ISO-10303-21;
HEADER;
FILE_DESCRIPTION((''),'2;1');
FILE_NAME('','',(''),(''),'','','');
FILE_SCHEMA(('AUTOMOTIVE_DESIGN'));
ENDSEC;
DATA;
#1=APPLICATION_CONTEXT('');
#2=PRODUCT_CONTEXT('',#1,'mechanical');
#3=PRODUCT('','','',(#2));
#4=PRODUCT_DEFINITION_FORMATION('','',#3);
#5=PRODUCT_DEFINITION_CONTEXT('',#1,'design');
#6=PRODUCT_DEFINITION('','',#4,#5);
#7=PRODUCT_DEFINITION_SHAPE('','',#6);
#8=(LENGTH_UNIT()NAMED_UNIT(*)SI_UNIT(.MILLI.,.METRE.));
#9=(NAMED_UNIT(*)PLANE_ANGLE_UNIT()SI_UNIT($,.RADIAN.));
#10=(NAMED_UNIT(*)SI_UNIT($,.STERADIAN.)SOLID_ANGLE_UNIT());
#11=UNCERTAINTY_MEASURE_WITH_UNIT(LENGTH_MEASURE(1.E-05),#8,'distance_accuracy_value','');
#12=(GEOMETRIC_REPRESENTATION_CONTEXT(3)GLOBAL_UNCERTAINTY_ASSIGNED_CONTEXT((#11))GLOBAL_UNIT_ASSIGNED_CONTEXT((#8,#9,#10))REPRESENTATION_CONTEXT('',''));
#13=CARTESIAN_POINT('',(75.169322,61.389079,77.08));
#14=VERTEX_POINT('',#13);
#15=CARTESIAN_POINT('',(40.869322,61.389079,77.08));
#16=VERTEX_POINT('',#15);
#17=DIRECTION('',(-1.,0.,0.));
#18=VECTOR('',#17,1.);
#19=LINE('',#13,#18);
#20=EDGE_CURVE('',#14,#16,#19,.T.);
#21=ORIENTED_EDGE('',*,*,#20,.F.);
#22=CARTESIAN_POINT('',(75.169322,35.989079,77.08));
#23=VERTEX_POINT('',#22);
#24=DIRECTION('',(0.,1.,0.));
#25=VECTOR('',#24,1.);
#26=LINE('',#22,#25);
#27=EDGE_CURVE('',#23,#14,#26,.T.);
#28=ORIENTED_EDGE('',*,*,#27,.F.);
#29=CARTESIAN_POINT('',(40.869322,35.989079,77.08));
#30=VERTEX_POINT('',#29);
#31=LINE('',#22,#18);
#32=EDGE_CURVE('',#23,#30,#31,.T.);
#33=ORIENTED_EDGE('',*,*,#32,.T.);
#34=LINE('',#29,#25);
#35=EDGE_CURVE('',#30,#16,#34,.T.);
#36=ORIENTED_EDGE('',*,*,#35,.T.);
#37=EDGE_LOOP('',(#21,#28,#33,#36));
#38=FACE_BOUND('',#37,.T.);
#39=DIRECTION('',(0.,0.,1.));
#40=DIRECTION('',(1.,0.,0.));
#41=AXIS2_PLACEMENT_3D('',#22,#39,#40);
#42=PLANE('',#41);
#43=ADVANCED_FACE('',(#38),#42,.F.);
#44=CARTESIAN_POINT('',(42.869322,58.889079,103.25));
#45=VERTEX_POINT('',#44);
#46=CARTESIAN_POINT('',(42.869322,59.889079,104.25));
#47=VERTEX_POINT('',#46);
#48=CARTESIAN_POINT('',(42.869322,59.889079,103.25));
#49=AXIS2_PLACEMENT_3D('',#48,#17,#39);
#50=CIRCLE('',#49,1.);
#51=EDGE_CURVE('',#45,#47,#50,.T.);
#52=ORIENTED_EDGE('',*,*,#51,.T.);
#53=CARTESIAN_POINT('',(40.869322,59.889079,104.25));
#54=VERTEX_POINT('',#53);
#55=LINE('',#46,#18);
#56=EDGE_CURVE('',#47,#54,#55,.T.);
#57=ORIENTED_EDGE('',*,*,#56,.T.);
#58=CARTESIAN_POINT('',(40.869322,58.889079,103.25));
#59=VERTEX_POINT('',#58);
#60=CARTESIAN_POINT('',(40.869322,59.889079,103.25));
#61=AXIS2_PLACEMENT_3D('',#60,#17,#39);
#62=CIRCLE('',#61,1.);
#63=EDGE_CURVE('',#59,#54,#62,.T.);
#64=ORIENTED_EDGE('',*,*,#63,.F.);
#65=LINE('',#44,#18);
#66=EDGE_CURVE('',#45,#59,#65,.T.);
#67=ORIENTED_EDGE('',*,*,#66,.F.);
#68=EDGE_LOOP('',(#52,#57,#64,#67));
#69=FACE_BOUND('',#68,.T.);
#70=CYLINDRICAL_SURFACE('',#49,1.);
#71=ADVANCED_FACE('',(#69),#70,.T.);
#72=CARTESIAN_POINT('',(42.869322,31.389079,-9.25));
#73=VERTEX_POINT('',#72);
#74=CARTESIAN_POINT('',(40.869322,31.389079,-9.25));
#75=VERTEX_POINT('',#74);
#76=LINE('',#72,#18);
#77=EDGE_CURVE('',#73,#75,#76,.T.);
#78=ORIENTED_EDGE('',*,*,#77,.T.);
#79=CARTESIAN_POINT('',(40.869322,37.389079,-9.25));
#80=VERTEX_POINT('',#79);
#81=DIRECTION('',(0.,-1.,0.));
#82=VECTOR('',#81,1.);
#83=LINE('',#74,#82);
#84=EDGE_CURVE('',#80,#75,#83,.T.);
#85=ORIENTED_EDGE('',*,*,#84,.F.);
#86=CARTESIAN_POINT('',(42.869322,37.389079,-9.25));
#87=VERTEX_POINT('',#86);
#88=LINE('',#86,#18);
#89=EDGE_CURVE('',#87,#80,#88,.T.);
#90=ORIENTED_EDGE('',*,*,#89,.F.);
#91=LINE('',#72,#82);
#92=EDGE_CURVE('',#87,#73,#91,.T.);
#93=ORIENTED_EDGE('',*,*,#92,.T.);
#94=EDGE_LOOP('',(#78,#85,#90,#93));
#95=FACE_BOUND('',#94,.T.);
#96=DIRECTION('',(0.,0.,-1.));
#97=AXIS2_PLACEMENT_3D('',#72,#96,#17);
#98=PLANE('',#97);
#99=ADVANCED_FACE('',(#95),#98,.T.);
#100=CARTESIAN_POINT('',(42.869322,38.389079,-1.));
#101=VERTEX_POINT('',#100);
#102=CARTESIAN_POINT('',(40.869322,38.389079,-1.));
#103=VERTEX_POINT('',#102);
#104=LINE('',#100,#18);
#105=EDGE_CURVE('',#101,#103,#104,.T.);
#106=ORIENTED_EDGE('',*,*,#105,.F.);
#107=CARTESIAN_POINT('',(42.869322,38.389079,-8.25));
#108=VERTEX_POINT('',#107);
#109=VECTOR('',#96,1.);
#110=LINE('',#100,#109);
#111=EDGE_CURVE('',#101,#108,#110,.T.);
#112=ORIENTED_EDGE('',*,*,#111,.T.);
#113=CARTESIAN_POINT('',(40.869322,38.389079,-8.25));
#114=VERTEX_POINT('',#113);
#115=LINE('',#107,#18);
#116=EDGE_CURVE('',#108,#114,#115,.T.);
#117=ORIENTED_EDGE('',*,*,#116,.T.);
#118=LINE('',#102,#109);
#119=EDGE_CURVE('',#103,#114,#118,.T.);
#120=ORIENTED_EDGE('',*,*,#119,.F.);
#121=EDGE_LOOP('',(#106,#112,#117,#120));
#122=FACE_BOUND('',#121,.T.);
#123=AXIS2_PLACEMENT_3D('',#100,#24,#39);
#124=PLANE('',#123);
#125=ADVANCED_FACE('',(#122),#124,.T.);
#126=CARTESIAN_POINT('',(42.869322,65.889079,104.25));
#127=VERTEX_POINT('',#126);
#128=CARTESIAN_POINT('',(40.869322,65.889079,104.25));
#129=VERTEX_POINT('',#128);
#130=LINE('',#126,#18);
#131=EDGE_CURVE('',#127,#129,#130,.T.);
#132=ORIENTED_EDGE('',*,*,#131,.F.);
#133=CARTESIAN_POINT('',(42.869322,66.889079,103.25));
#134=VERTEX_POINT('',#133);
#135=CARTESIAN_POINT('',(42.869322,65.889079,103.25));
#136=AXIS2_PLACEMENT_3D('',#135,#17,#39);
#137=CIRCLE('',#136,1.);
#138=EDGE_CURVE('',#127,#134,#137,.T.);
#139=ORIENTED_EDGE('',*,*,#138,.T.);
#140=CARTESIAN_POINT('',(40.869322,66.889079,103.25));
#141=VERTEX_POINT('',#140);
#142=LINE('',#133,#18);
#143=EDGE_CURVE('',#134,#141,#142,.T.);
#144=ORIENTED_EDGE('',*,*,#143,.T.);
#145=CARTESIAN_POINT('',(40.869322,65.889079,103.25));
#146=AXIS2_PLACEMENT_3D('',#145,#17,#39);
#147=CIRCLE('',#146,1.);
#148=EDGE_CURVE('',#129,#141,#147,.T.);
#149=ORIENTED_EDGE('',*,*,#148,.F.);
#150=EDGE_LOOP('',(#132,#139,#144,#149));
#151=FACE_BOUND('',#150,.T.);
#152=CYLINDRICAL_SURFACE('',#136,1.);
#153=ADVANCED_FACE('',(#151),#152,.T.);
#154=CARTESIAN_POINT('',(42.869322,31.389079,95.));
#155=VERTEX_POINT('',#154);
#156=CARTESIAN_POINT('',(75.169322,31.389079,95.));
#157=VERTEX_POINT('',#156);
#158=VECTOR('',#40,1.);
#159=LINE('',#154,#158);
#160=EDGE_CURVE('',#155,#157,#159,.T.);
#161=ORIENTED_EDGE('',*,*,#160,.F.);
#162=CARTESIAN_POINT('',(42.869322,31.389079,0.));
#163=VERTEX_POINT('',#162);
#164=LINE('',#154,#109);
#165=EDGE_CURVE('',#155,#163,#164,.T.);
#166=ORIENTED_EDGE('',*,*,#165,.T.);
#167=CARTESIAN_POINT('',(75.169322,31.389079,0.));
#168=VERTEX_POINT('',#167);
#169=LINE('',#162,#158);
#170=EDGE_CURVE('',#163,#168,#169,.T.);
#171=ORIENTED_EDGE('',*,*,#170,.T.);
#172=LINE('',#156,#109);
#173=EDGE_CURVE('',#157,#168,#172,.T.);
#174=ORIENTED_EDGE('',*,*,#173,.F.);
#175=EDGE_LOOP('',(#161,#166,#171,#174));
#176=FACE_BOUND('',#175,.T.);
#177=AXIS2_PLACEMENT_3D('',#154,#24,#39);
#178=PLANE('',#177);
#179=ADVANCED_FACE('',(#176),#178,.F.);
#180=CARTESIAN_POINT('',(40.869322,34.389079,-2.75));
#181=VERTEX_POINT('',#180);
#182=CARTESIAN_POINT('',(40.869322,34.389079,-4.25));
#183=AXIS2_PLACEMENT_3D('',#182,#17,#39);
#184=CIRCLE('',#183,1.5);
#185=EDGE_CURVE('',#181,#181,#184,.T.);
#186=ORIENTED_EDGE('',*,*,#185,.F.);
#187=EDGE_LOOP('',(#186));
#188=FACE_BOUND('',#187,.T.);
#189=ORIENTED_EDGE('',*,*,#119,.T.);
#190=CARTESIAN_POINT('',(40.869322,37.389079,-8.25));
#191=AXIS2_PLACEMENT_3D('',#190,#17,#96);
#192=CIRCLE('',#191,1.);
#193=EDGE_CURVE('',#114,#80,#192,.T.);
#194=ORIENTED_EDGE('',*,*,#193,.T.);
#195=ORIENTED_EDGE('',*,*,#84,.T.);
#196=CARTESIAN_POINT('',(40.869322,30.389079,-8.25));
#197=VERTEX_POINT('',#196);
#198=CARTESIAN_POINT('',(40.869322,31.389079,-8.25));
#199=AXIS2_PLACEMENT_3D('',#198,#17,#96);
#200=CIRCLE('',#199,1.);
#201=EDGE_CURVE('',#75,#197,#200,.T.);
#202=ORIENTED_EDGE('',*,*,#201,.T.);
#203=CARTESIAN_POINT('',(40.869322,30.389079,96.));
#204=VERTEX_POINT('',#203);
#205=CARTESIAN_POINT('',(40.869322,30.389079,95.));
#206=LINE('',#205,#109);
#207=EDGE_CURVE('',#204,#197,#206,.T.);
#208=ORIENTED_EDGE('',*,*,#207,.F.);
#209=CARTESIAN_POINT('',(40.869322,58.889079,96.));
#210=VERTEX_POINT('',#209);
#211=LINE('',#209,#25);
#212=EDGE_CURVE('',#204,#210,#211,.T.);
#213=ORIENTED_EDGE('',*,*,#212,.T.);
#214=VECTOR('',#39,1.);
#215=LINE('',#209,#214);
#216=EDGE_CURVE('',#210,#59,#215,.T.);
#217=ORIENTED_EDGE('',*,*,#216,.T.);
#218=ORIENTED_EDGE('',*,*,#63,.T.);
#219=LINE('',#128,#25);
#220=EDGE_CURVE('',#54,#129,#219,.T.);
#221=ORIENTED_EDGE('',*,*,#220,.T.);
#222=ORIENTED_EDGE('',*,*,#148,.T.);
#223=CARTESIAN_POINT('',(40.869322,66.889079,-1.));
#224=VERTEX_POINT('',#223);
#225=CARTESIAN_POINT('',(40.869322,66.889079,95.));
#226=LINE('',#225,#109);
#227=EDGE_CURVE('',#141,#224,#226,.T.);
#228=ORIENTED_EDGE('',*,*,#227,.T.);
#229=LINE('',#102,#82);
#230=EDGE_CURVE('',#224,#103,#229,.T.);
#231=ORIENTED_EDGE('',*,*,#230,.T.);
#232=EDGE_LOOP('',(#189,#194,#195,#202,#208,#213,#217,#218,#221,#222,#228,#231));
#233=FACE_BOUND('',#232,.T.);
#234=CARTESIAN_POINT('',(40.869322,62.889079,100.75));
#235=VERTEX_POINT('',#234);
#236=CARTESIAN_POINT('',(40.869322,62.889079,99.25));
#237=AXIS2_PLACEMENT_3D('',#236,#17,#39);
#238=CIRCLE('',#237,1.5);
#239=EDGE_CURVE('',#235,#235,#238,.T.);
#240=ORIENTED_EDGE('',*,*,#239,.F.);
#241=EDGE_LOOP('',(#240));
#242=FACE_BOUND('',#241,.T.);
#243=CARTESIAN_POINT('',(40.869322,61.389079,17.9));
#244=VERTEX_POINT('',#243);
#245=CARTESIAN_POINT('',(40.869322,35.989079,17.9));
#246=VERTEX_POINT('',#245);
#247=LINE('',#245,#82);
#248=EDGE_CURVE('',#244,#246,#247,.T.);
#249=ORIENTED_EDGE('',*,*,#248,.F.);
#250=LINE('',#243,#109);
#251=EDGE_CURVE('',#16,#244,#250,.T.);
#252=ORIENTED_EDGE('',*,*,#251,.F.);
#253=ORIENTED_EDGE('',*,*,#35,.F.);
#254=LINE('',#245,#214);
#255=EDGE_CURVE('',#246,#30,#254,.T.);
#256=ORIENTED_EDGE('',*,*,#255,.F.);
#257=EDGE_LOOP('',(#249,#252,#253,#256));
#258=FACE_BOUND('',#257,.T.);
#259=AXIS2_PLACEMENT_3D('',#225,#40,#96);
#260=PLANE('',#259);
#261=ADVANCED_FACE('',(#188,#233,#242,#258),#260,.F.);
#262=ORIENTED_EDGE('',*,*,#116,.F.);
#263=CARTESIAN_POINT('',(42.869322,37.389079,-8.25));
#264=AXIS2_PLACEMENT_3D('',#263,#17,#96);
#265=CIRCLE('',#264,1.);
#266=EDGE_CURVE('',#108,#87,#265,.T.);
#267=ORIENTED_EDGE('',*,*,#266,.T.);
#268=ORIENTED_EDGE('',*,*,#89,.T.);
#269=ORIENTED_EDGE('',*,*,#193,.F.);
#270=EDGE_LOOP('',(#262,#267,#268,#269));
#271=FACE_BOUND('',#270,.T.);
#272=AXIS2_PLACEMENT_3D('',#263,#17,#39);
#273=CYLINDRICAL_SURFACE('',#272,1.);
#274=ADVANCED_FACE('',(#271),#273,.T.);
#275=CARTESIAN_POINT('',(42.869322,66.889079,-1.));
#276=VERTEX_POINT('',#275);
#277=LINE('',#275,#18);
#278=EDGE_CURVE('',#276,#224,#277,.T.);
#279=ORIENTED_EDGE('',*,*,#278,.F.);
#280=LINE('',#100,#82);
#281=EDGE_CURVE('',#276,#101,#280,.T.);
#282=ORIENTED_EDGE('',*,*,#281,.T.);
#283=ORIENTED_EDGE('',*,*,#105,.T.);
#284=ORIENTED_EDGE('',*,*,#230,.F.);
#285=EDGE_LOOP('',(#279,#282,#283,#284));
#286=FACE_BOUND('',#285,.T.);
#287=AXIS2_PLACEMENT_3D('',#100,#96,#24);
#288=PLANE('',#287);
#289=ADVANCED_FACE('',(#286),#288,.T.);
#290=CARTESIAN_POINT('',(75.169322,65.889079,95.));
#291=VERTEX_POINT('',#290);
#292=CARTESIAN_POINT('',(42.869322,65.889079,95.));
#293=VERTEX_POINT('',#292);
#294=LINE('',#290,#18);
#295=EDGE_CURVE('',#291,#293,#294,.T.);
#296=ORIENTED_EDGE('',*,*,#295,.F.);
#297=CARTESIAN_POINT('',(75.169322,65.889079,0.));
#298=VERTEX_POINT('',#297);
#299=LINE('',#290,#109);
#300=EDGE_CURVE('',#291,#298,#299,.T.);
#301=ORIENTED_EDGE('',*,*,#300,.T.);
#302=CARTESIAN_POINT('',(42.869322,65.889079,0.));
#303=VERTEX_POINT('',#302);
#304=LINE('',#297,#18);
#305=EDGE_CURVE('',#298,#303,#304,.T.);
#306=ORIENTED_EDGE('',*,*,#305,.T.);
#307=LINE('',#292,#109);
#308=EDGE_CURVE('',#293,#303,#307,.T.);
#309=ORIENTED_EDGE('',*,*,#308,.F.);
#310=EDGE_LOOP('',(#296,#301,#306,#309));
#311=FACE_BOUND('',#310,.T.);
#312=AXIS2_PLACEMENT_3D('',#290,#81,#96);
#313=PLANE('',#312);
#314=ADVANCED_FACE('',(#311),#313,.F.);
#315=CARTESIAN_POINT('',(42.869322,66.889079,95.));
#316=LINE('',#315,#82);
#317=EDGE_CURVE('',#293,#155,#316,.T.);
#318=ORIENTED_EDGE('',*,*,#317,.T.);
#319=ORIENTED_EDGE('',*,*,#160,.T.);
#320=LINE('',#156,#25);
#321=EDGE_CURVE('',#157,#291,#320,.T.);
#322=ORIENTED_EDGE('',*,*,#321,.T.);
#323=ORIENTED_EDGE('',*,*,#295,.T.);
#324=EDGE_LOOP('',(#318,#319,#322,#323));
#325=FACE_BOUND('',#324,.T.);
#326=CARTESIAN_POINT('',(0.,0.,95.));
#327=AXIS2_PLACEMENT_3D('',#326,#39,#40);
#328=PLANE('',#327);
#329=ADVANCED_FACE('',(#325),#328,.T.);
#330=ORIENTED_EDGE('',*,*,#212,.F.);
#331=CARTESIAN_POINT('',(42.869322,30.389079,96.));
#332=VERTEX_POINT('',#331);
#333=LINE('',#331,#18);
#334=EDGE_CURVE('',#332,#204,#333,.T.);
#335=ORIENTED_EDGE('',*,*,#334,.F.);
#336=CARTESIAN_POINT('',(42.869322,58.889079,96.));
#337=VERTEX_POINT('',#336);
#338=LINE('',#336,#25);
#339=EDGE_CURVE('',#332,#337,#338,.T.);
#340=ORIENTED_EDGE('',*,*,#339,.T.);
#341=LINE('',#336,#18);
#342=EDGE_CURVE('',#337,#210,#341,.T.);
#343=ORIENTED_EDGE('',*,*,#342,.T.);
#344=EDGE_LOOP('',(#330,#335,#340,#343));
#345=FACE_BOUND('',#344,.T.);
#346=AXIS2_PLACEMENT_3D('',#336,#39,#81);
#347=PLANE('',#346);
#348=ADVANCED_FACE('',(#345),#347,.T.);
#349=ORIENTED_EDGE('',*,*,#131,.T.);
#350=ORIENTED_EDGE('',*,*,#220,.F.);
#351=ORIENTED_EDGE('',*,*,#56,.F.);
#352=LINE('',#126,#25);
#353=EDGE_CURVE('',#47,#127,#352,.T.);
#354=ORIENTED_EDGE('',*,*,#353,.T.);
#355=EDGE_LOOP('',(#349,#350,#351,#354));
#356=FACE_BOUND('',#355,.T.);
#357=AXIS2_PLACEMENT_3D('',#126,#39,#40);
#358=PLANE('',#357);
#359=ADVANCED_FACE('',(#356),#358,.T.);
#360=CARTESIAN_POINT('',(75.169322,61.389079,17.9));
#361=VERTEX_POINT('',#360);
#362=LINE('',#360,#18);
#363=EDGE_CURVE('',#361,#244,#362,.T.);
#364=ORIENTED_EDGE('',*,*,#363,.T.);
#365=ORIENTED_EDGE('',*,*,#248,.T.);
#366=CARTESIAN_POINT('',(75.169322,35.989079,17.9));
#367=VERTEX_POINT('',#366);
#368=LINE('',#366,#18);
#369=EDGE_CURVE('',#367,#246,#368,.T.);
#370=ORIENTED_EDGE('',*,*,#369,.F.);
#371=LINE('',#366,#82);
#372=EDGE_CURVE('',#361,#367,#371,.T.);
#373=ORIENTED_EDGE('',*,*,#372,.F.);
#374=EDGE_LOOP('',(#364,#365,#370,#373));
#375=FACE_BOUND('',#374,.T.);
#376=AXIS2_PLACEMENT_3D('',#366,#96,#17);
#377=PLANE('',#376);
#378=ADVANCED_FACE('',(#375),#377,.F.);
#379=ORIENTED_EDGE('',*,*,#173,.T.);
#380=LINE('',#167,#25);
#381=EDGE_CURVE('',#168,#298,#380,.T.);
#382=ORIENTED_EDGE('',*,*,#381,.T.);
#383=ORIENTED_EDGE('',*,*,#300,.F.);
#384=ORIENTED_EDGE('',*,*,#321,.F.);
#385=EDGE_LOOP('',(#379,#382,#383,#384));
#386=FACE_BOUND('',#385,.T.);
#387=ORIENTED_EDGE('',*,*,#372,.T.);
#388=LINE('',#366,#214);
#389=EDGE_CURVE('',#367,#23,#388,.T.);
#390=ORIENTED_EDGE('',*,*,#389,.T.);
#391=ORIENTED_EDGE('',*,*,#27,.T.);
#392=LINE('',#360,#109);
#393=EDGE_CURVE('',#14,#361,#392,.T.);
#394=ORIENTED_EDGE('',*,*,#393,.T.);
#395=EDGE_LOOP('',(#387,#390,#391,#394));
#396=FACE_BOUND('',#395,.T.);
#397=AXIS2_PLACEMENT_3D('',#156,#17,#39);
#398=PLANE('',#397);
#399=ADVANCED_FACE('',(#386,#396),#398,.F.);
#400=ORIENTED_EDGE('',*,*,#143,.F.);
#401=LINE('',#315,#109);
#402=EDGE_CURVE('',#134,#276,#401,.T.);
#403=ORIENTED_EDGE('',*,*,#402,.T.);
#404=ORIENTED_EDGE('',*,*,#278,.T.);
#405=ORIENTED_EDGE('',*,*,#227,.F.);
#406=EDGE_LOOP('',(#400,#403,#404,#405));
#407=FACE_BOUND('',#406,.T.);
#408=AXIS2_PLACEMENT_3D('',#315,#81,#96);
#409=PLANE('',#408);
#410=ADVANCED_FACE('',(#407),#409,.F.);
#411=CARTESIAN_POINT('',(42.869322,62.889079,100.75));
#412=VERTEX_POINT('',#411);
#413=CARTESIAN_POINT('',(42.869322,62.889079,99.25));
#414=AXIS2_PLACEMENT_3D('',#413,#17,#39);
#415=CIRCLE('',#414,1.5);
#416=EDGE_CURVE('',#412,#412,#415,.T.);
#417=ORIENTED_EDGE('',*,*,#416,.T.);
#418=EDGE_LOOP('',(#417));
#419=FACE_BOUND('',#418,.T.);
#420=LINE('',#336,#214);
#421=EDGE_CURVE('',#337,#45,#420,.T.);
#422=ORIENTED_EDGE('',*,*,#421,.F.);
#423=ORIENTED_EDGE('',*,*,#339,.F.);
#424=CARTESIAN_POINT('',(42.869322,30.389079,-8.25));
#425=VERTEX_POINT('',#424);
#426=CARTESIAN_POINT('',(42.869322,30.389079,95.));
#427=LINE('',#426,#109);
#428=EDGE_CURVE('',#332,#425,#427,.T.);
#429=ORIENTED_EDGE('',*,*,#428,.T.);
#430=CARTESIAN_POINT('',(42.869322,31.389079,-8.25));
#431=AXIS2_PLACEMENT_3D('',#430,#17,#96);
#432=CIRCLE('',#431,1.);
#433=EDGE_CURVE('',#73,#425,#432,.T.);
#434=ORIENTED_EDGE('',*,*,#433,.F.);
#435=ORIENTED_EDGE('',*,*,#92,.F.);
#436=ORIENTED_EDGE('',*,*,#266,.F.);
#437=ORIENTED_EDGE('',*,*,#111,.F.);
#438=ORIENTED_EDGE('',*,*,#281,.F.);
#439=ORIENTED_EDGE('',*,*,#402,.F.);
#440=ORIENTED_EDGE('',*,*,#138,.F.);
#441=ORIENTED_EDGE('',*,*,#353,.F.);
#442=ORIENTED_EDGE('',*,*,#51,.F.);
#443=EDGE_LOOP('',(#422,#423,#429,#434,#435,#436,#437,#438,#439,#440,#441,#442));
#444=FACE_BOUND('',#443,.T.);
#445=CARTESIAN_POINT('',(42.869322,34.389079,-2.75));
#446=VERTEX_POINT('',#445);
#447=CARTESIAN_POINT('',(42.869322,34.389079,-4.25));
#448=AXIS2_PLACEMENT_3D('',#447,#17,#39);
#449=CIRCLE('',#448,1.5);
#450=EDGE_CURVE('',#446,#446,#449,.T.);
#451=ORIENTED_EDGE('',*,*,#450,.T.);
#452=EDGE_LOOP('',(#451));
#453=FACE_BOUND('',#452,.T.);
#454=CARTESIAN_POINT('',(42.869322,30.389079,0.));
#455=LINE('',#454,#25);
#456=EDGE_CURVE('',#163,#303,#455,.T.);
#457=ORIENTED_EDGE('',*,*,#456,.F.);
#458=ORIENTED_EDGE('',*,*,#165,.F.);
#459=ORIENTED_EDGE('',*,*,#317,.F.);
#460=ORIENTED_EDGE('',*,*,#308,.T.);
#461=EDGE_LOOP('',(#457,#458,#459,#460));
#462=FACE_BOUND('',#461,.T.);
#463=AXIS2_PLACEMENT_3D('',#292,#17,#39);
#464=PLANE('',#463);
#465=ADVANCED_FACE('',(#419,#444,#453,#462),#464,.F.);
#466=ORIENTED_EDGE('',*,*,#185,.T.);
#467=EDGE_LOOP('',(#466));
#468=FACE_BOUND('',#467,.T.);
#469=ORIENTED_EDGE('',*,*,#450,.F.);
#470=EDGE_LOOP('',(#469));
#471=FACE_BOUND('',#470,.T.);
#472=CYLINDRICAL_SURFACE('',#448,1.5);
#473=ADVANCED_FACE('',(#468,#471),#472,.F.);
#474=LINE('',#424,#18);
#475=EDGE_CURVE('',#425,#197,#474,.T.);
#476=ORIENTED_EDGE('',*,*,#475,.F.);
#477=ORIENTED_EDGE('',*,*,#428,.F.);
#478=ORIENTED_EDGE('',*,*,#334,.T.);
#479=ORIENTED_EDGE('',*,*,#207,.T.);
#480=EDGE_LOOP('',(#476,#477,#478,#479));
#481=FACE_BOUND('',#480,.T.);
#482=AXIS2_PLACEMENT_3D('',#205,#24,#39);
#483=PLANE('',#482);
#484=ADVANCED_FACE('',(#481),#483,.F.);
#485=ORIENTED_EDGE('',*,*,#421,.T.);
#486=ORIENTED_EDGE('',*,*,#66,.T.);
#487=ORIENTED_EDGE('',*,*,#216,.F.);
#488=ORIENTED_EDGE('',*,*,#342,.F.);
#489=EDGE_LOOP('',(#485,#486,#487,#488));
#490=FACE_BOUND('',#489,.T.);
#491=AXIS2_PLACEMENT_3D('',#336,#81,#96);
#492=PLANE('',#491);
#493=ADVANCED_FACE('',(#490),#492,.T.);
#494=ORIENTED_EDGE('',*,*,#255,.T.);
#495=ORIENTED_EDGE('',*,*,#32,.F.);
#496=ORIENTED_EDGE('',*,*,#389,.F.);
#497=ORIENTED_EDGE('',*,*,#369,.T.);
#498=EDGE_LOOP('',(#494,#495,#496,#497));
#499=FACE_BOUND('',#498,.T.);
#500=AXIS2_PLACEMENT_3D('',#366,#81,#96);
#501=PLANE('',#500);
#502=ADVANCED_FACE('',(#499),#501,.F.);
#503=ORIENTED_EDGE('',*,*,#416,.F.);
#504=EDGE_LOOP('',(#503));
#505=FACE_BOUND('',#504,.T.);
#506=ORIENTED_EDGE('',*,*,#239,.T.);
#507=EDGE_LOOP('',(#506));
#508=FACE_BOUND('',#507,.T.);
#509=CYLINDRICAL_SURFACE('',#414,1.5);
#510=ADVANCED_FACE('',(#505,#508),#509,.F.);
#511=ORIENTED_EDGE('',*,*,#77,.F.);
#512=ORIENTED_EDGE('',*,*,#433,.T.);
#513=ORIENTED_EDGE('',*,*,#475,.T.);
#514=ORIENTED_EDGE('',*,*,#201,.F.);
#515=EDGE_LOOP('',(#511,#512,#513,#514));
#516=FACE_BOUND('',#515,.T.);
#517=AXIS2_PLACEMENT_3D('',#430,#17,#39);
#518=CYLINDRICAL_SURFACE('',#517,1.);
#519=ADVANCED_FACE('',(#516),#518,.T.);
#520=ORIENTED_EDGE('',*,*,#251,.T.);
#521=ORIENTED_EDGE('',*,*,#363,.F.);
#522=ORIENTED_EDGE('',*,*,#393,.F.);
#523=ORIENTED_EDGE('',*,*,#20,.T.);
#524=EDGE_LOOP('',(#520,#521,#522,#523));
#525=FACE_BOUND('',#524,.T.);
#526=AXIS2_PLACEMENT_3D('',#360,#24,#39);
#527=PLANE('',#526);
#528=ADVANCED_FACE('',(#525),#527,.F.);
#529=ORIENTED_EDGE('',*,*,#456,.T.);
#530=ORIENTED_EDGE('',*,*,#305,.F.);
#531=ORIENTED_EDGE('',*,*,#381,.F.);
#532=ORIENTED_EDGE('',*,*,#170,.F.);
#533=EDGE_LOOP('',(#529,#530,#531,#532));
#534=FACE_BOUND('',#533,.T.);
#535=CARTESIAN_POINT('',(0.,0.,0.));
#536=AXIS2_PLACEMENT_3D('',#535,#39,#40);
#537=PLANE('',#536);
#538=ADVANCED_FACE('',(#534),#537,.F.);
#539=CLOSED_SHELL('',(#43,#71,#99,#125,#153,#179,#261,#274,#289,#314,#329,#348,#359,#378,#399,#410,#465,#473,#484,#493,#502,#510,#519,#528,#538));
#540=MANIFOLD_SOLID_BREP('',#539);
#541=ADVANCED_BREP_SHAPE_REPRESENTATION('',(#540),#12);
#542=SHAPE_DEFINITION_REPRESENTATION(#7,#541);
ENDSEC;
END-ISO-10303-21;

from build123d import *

# Parameters (mm, degrees)
BOSS_EXTRUDE1_DEPTH = 95
SKETCH2_R           = 1.5
BOSS_EXTRUDE2_DEPTH = 2
SKETCH3_W           = 59.18
SKETCH3_H           = 25.4
CUT_EXTRUDE1_DEPTH  = 129.525100261


with BuildPart() as part:
    # Sketch1 → Boss-Extrude1 (new body)
    with BuildSketch(Plane.XY):
        Polygon((40.869322236, 66.889079057), (40.869322236, 30.389079057), (42.869322236, 30.389079057), (42.869322236, 31.389079057), (75.169322236, 31.389079057), (75.169322236, 65.889079057), (42.869322236, 65.889079057), (42.869322236, 66.889079057), align=None)
    extrude(amount=BOSS_EXTRUDE1_DEPTH)

    # Sketch2 → Boss-Extrude2 (add)
    # profile 1 of 2: a face of its own
    with BuildSketch(Plane.ZY.offset(-40.869322236)):
        with BuildLine():
            Line((-1, 38.389079057), (-8.25, 38.389079057))
            ThreePointArc((-8.25, 38.389079057), (-8.957106781, 38.096185839), (-9.25, 37.389079057))
            Line((-9.25, 37.389079057), (-9.25, 31.389079057))
            ThreePointArc((-9.25, 31.389079057), (-8.957106781, 30.681972276), (-8.25, 30.389079057))
            Line((-8.25, 30.389079057), (0, 30.389079057))
            Line((0, 30.389079057), (0, 38.389079057))
            Line((0, 38.389079057), (0, 66.889079057))
            Line((0, 66.889079057), (-1, 66.889079057))
            Line((-1, 66.889079057), (-1, 38.389079057))
        make_face()
        with Locations((-4.25, 34.389079057)):
            Circle(SKETCH2_R, mode=Mode.SUBTRACT)
    # profile 2 of 2: a face of its own
    with BuildSketch(Plane.ZY.offset(-40.869322236)):
        with BuildLine():
            Line((95, 66.889079057), (103.25, 66.889079057))
            ThreePointArc((103.25, 66.889079057), (103.957106781, 66.596185839), (104.25, 65.889079057))
            Line((104.25, 65.889079057), (104.25, 59.889079057))
            ThreePointArc((104.25, 59.889079057), (103.957106781, 59.181972276), (103.25, 58.889079057))
            Line((103.25, 58.889079057), (96, 58.889079057))
            Line((96, 58.889079057), (96, 30.389079057))
            Line((96, 30.389079057), (95, 30.389079057))
            Line((95, 30.389079057), (95, 58.889079057))
            Line((95, 58.889079057), (95, 66.889079057))
        make_face()
        with Locations((99.25, 62.889079057)):
            Circle(SKETCH2_R, mode=Mode.SUBTRACT)
    extrude(amount=-BOSS_EXTRUDE2_DEPTH)

    # Sketch3 → Cut-Extrude1 (cut, through all)
    with BuildSketch(Plane.ZY.offset(-40.869322236)):
        with Locations((47.49, 48.689079057)):
            Rectangle(SKETCH3_W, SKETCH3_H)
    extrude(amount=-CUT_EXTRUDE1_DEPTH, mode=Mode.SUBTRACT)


solid = part.part
